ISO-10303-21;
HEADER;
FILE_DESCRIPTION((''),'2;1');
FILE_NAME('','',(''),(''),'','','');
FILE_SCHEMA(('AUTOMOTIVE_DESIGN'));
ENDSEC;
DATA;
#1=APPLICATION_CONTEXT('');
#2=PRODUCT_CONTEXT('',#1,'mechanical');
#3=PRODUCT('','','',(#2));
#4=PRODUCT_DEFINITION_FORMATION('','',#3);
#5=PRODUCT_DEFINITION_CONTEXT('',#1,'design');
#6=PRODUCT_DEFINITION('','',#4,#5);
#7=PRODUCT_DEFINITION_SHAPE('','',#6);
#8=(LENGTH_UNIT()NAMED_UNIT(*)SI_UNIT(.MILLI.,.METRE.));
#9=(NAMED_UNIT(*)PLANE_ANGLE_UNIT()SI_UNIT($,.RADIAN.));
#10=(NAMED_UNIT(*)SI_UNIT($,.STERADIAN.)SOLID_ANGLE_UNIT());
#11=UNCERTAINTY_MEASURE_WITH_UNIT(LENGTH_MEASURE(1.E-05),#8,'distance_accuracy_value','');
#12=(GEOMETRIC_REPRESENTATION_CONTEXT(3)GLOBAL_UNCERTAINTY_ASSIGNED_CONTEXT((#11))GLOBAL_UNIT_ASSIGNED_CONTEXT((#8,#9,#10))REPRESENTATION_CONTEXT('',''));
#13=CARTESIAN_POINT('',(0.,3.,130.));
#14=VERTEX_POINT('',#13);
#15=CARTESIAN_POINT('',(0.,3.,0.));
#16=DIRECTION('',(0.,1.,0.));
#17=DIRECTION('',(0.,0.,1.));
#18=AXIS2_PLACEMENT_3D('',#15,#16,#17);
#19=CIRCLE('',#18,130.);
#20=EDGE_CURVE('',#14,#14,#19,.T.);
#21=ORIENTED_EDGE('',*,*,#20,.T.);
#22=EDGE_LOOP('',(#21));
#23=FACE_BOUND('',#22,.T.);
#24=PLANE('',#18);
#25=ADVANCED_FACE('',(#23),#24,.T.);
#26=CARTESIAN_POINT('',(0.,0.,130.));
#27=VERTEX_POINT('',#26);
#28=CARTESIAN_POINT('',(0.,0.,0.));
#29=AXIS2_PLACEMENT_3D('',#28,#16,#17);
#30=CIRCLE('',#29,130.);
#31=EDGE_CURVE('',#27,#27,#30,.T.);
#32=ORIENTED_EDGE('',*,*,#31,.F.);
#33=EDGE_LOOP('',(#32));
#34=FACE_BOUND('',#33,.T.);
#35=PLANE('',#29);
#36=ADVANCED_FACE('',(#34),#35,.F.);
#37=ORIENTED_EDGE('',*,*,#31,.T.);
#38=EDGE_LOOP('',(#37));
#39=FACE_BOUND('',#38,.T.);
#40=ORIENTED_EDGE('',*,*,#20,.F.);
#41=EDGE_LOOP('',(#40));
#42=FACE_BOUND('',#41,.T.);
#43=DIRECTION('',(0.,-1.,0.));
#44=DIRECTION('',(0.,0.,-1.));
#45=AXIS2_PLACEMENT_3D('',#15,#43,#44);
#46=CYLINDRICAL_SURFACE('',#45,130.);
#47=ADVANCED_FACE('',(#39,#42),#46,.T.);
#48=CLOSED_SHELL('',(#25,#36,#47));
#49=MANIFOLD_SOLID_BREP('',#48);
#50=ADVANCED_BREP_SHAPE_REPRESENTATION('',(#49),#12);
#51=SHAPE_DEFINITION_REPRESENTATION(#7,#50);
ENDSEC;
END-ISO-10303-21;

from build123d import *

# Parameters (mm, degrees)
SKETCH_1_R        = 130
EXTRUDE_221_DEPTH = 3


with BuildPart() as part:
    # Эскиз1 → Extrude 221 (new body)
    with BuildSketch(Plane(origin=(0, 0, 0), x_dir=(1, 0, 0), z_dir=(0, 1, 0))):
        with Locations(Location((0, 0, 0), (0, 0, 270))):
            Circle(SKETCH_1_R)
    extrude(amount=EXTRUDE_221_DEPTH)


solid = part.part
